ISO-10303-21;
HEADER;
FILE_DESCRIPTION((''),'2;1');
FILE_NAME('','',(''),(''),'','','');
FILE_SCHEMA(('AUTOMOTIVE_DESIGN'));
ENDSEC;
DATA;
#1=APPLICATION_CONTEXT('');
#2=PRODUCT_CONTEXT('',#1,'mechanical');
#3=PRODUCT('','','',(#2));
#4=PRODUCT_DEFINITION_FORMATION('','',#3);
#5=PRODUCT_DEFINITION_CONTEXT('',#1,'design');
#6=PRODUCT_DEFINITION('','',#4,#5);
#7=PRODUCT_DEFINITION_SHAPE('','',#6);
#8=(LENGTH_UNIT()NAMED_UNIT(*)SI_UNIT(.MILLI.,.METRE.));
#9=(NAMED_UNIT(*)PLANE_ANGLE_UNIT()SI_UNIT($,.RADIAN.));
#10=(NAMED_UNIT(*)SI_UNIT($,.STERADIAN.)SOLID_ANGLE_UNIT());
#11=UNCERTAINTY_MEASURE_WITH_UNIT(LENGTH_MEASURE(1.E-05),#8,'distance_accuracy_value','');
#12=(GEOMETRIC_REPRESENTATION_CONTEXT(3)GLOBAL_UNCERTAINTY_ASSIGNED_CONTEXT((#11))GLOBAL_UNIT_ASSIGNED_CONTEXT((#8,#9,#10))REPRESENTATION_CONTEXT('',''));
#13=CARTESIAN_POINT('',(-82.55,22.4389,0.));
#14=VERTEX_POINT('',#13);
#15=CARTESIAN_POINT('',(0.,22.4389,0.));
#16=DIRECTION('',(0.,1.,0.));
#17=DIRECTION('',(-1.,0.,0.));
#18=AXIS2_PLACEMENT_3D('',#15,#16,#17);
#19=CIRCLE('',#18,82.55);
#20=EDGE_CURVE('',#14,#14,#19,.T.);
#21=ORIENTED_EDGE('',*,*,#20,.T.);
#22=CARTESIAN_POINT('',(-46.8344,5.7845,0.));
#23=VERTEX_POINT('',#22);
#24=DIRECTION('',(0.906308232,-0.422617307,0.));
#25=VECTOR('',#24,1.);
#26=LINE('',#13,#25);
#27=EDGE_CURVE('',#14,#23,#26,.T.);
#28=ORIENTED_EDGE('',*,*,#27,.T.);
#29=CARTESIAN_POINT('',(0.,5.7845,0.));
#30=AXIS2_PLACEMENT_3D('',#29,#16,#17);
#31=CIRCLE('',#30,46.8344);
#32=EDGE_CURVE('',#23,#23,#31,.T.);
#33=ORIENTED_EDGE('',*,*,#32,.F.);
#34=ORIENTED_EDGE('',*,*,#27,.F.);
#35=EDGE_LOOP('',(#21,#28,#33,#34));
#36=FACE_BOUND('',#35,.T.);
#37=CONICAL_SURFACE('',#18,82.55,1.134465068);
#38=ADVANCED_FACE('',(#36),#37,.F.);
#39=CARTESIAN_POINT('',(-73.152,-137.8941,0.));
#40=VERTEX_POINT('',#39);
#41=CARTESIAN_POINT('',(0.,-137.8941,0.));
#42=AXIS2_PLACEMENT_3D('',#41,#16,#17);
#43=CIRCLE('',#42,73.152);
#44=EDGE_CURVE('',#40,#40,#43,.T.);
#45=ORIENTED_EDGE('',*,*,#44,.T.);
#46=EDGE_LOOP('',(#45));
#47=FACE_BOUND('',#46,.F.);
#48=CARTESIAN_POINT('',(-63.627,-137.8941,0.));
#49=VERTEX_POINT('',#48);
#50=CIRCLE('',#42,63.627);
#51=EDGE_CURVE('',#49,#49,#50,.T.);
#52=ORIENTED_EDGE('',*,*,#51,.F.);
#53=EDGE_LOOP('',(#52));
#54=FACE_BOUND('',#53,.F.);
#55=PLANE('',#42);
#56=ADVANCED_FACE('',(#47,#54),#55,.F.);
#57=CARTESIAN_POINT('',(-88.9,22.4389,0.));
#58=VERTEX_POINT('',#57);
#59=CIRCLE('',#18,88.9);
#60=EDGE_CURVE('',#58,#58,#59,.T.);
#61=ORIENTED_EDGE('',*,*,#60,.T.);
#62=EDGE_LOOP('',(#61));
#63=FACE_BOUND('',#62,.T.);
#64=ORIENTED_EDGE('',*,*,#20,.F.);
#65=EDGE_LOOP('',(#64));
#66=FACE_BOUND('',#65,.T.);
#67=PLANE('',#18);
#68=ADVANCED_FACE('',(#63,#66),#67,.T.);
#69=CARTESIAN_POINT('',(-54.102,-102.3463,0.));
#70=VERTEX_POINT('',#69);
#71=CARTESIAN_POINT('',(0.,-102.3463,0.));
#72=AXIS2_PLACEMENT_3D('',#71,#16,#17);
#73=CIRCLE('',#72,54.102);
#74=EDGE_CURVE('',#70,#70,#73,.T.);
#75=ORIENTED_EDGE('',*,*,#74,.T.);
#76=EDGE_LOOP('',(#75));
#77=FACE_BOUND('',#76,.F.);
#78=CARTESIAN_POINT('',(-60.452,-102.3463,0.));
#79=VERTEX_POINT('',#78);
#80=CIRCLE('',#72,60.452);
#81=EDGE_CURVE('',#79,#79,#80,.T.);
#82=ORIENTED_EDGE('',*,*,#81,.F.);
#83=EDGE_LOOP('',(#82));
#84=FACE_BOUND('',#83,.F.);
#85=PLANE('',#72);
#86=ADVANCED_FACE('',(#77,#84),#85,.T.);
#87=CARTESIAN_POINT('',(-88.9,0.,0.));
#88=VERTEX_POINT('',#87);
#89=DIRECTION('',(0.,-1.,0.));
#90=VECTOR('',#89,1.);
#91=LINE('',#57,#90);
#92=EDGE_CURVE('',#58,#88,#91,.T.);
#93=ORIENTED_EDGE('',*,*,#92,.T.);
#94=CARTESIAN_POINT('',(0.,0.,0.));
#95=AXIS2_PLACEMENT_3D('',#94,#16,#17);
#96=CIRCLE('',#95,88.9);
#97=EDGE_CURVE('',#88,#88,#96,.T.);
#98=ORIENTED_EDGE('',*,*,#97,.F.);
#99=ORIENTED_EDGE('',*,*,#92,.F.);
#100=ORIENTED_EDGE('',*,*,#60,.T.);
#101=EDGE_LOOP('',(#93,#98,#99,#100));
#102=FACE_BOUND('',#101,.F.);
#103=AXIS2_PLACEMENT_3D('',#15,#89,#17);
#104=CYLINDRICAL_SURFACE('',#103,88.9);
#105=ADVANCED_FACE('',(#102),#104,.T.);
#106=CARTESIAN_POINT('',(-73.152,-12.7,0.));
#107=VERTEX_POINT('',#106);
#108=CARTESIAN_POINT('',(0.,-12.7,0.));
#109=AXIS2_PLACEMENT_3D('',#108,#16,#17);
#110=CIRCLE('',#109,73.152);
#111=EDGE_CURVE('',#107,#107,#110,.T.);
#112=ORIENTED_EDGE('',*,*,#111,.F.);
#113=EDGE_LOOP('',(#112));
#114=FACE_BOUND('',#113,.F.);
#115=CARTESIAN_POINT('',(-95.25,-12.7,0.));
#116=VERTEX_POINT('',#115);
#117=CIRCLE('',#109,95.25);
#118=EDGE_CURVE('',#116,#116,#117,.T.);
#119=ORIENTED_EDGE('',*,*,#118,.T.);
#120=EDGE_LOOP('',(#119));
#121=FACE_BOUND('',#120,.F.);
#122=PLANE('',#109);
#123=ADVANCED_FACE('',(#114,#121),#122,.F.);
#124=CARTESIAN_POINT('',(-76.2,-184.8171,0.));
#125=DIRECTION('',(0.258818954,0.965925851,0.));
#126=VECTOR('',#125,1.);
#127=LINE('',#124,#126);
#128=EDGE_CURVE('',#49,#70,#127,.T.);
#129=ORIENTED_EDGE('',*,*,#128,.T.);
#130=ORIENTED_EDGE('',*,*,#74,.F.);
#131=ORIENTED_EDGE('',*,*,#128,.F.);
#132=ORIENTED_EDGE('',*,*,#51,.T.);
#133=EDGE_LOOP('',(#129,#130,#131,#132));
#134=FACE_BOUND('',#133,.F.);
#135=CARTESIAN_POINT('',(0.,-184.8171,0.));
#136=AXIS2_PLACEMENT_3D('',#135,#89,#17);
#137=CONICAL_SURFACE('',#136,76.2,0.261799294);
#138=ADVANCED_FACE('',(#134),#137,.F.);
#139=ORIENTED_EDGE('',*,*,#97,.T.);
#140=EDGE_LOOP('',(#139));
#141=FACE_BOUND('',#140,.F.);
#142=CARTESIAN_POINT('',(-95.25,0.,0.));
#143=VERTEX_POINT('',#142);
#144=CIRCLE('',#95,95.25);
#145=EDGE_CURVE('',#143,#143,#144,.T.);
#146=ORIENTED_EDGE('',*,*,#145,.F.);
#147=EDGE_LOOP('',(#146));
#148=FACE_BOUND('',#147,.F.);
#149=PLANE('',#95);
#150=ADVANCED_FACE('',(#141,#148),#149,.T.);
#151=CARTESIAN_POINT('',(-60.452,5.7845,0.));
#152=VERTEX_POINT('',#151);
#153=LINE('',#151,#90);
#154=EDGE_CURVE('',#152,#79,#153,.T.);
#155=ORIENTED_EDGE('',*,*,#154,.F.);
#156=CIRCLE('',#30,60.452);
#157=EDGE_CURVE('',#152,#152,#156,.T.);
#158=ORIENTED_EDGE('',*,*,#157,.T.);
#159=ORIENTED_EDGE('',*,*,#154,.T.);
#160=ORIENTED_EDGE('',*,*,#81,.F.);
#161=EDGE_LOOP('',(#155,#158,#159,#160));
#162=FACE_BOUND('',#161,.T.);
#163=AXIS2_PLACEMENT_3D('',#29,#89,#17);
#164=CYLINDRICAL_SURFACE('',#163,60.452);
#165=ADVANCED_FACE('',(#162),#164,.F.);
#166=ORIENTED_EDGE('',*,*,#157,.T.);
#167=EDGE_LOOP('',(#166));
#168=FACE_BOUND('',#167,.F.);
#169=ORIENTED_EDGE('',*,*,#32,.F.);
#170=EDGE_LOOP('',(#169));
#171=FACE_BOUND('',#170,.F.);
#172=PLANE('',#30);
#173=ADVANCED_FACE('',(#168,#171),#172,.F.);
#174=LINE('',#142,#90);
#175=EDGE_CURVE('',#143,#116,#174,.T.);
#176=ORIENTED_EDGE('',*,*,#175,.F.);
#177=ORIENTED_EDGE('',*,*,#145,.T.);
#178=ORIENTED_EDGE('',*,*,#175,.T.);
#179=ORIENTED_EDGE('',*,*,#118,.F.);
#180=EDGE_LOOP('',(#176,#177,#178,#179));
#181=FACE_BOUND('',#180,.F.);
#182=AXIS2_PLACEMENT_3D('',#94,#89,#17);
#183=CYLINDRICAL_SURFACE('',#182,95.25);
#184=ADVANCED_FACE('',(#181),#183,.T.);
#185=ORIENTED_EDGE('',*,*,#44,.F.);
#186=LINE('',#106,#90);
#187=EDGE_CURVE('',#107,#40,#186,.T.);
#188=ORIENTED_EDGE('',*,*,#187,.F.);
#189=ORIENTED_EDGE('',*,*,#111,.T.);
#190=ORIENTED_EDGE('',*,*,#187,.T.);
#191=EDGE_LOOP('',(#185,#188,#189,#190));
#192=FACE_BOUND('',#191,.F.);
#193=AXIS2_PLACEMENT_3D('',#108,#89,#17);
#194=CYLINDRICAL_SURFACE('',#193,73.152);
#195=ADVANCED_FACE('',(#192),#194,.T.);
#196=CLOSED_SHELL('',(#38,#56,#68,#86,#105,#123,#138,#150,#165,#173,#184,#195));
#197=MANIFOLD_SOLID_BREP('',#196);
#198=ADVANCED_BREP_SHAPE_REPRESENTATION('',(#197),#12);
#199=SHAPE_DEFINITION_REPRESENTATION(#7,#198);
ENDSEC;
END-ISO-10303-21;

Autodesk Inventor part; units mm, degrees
ref_plane "YZ Plane" through (0, 0, 0) normal (1, 0, 0) x (0, 1, 0)
ref_plane "XZ Plane" through (0, 0, 0) normal (0, 1, 0) x (-1, 0, 0)
ref_plane "XY Plane" through (0, 0, 0) normal (0, 0, 1) x (1, 0, 0)
sketch "Sketch1" plane through (0, 0, 0) normal (0, 0, 1) x (1, 0, 0)
  line L0 (0, 25.4) -> (-28.702, 25.4) construction
  line L1 (0, 25.4) -> (-95.25, 25.4) construction
  line L2 (-95.25, 25.4) -> (-88.9, 25.4) construction
  line L3 (-88.9, 25.4) -> (-82.55, 22.4389) construction
  line L4 (-88.9, 25.4) -> (-88.9, 22.4389) construction
  line L5 (-88.9, 0) -> (-95.25, 0)
  line L6 (-28.702, 59.6457) -> (-28.702, -91.9304) construction
  arc A0 (-28.9184, -8.3597) -> (-32.3684, -0.9611) centre (-35.052, -6.7162) ccw
  line L7 (-76.2, -184.8171) -> (-28.9184, -8.3597)
  line L8 (-88.9, 22.4389) -> (-82.55, 22.4389)
  line L9 (-88.9, 22.4389) -> (-88.9, 0)
  line L10 (-82.55, 22.4389) -> (-32.3684, -0.9611)
  line L11 (-28.702, -6.7162) -> (-60.452, -6.7162) construction
  line L12 (-60.452, 12.1345) -> (-60.452, -126.0448) construction
  line L13 (-60.452, -126.0448) -> (-54.102, -126.0448) construction
  line L14 (-54.102, -126.0448) -> (-54.102, -102.3463) construction
  line L15 (-54.102, -102.3463) -> (-60.452, -102.3463)
  line L16 (-60.452, 12.1345) -> (-60.452, 2.6095) construction
  line L17 (-60.452, 12.1345) -> (-60.452, 5.7845) construction
  line L18 (-60.452, 5.7845) -> (-46.8344, 5.7845)
  line L19 (-60.452, 5.7845) -> (-60.452, -102.3463)
  line L20 (-95.25, 0) -> (-95.25, -12.7) construction
  line L21 (-60.452, -12.7) -> (-73.152, -12.7) construction
  line L22 (-95.25, -12.7) -> (-95.25, -25.4) construction
  line L23 (-95.25, -25.4) -> (-95.25, -88.9) construction
  line L24 (-95.25, -88.9) -> (-82.55, -88.9) construction
  line L25 (-82.55, -88.9) -> (-82.55, -25.4) construction
  line L26 (-95.25, -25.4) -> (-82.55, -25.4)
  line L27 (-82.55, -25.4) -> (-82.55, -88.9)
  line L28 (-82.55, -88.9) -> (-95.25, -88.9)
  line L29 (-95.25, -12.7) -> (-73.152, -12.7)
  line L30 (-73.152, -137.8941) -> (-63.627, -137.8941)
  line L31 (-82.55, -88.9) -> (-82.55, -184.8171)
  line L32 (-82.55, -184.8171) -> (-76.2, -184.8171)
  line L33 (-73.152, -12.7) -> (-73.152, -137.8941)
  line L34 (-88.9, -25.4) -> (-88.9, -31.3436)
  line L35 (-88.9, -31.3436) -> (-95.25, -31.3436)
  line L36 (-95.25, 0) -> (-95.25, -25.4)
  line L37 (-95.25, -31.3436) -> (-95.25, -88.9)
  line L38 (0, -319.0244) -> (0, 122.7573) projected
  point P0 (0, 0)
  point P1 (-95.25, -255.9127)
  point P2 (-85.725, 22.4389)
  dimension "d0" = 28.702
  dimension "d1" = 95.25
  dimension "d2" = 6.35
  dimension "d3" = 25
  dimension "d5" = 25.4
  dimension "d6" = 25.4
  dimension "d8" = 12.7
  dimension "d11" = 6.35
  dimension "d12" = 31.75
  dimension "d13" = 6.35
  dimension "d15" = 6.35
  dimension "d16" = 12.7
  dimension "d17" = 12.7
  dimension "d18" = 12.7
  dimension "d19" = 63.5
  dimension "d20" = 12.7
  dimension "d22" = 9.525
  dimension "d23" = 6.35
  dimension "d25" = 5.9436
  dimension "d26" = 15
revolve "Revolution2" add sketch "Sketch1" angle 360 about axis through (0, -10, 0) along (0, 1, 0) contours L9 L8 L10 L18 L19 L15 L7 L30 L33 L29 L36 L5
properties part number "Phenolic Master Sketch" material "Phenolic Resin"
